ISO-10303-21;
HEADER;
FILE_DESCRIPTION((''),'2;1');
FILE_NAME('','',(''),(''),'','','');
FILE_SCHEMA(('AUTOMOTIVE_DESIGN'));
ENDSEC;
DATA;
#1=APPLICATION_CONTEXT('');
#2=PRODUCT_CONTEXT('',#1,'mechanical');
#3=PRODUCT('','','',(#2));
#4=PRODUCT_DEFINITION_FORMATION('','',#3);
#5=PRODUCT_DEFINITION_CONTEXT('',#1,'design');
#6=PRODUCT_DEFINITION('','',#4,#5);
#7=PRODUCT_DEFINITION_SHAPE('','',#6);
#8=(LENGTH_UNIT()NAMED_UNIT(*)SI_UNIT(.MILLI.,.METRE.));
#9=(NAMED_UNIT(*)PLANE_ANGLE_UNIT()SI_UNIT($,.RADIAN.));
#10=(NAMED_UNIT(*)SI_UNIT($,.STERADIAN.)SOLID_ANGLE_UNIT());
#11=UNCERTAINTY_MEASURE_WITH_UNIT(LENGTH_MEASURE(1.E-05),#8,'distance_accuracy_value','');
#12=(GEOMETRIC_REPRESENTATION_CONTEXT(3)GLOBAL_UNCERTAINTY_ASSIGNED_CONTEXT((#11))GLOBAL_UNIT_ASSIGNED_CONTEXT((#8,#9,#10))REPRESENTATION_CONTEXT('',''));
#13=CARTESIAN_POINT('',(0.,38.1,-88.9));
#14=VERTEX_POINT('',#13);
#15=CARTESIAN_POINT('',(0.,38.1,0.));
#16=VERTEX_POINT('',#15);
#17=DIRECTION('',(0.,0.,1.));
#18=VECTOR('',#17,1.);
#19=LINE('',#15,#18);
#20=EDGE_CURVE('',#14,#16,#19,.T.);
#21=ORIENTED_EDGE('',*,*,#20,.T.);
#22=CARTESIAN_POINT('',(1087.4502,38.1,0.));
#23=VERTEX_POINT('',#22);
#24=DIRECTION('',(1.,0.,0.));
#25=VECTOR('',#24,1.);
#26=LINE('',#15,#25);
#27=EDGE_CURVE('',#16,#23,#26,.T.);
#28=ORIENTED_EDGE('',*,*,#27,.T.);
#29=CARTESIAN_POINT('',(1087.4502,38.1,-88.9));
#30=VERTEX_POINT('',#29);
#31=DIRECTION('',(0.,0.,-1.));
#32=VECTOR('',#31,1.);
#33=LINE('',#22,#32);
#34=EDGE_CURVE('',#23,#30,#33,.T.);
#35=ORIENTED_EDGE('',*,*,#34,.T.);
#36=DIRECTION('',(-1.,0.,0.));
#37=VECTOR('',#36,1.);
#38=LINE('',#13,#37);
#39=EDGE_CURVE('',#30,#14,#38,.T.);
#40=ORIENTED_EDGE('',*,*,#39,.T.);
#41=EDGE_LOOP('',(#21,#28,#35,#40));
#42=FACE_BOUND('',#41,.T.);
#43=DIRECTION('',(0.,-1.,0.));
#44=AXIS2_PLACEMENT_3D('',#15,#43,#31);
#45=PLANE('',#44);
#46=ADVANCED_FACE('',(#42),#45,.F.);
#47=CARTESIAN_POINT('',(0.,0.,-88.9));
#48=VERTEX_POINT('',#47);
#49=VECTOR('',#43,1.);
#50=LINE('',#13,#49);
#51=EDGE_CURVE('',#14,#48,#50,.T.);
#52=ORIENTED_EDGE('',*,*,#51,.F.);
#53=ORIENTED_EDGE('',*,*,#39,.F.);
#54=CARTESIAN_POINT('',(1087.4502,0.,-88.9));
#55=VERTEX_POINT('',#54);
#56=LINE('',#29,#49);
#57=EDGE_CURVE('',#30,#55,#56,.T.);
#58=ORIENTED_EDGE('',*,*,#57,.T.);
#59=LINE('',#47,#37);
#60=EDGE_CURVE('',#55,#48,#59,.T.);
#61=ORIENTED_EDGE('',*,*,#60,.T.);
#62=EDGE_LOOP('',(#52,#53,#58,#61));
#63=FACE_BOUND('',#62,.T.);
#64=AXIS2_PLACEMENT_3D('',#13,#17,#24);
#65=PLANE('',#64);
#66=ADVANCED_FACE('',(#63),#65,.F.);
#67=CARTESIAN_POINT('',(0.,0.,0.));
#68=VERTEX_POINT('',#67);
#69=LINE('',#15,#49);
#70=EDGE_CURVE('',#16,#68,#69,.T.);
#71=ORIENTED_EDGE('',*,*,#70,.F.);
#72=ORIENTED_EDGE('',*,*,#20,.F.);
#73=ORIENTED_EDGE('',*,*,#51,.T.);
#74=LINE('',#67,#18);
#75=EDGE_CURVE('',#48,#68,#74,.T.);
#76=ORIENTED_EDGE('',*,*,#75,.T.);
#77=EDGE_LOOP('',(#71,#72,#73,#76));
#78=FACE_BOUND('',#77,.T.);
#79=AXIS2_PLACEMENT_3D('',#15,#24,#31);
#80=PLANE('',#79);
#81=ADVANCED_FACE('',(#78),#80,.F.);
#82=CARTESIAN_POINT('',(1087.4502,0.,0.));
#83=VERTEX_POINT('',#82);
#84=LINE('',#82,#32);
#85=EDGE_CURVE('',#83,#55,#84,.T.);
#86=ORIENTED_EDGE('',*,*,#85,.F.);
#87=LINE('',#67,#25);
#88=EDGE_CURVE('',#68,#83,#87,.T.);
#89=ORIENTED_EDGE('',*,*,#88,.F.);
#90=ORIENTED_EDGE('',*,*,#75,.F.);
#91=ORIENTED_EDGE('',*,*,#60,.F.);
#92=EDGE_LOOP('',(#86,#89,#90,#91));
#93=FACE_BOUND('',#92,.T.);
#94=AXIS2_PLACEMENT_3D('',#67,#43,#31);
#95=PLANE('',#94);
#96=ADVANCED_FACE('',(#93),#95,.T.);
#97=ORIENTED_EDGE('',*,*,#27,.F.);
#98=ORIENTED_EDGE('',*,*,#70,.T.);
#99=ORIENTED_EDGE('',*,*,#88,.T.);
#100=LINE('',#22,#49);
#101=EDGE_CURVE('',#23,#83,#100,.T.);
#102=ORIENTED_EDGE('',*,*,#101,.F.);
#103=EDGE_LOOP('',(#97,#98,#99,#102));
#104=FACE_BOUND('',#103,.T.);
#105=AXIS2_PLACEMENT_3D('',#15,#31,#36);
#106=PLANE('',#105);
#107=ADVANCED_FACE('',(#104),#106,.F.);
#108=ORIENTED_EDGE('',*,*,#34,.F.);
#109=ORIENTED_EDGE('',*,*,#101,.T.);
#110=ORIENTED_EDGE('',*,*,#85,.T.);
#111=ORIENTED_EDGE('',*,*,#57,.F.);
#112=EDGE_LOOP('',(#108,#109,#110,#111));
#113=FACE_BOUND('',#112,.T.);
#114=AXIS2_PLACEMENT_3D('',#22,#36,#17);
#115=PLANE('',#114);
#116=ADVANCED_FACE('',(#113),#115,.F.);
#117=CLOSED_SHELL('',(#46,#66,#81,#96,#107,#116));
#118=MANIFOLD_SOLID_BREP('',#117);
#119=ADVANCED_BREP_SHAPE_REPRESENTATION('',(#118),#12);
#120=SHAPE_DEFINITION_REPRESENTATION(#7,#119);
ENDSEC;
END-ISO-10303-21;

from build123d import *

# Parameters (mm, degrees)
SKETCH1_W           = 1087.4502
SKETCH1_H           = 88.9
BOSS_EXTRUDE1_DEPTH = 38.1


with BuildPart() as part:
    # Sketch1 → Boss-Extrude1 (new body)
    with BuildSketch(Plane(origin=(0, 0, 0), x_dir=(1, 0, 0), z_dir=(0, 1, 0))):
        with Locations((543.7251, 44.45)):
            Rectangle(SKETCH1_W, SKETCH1_H)
    extrude(amount=BOSS_EXTRUDE1_DEPTH)


solid = part.part
